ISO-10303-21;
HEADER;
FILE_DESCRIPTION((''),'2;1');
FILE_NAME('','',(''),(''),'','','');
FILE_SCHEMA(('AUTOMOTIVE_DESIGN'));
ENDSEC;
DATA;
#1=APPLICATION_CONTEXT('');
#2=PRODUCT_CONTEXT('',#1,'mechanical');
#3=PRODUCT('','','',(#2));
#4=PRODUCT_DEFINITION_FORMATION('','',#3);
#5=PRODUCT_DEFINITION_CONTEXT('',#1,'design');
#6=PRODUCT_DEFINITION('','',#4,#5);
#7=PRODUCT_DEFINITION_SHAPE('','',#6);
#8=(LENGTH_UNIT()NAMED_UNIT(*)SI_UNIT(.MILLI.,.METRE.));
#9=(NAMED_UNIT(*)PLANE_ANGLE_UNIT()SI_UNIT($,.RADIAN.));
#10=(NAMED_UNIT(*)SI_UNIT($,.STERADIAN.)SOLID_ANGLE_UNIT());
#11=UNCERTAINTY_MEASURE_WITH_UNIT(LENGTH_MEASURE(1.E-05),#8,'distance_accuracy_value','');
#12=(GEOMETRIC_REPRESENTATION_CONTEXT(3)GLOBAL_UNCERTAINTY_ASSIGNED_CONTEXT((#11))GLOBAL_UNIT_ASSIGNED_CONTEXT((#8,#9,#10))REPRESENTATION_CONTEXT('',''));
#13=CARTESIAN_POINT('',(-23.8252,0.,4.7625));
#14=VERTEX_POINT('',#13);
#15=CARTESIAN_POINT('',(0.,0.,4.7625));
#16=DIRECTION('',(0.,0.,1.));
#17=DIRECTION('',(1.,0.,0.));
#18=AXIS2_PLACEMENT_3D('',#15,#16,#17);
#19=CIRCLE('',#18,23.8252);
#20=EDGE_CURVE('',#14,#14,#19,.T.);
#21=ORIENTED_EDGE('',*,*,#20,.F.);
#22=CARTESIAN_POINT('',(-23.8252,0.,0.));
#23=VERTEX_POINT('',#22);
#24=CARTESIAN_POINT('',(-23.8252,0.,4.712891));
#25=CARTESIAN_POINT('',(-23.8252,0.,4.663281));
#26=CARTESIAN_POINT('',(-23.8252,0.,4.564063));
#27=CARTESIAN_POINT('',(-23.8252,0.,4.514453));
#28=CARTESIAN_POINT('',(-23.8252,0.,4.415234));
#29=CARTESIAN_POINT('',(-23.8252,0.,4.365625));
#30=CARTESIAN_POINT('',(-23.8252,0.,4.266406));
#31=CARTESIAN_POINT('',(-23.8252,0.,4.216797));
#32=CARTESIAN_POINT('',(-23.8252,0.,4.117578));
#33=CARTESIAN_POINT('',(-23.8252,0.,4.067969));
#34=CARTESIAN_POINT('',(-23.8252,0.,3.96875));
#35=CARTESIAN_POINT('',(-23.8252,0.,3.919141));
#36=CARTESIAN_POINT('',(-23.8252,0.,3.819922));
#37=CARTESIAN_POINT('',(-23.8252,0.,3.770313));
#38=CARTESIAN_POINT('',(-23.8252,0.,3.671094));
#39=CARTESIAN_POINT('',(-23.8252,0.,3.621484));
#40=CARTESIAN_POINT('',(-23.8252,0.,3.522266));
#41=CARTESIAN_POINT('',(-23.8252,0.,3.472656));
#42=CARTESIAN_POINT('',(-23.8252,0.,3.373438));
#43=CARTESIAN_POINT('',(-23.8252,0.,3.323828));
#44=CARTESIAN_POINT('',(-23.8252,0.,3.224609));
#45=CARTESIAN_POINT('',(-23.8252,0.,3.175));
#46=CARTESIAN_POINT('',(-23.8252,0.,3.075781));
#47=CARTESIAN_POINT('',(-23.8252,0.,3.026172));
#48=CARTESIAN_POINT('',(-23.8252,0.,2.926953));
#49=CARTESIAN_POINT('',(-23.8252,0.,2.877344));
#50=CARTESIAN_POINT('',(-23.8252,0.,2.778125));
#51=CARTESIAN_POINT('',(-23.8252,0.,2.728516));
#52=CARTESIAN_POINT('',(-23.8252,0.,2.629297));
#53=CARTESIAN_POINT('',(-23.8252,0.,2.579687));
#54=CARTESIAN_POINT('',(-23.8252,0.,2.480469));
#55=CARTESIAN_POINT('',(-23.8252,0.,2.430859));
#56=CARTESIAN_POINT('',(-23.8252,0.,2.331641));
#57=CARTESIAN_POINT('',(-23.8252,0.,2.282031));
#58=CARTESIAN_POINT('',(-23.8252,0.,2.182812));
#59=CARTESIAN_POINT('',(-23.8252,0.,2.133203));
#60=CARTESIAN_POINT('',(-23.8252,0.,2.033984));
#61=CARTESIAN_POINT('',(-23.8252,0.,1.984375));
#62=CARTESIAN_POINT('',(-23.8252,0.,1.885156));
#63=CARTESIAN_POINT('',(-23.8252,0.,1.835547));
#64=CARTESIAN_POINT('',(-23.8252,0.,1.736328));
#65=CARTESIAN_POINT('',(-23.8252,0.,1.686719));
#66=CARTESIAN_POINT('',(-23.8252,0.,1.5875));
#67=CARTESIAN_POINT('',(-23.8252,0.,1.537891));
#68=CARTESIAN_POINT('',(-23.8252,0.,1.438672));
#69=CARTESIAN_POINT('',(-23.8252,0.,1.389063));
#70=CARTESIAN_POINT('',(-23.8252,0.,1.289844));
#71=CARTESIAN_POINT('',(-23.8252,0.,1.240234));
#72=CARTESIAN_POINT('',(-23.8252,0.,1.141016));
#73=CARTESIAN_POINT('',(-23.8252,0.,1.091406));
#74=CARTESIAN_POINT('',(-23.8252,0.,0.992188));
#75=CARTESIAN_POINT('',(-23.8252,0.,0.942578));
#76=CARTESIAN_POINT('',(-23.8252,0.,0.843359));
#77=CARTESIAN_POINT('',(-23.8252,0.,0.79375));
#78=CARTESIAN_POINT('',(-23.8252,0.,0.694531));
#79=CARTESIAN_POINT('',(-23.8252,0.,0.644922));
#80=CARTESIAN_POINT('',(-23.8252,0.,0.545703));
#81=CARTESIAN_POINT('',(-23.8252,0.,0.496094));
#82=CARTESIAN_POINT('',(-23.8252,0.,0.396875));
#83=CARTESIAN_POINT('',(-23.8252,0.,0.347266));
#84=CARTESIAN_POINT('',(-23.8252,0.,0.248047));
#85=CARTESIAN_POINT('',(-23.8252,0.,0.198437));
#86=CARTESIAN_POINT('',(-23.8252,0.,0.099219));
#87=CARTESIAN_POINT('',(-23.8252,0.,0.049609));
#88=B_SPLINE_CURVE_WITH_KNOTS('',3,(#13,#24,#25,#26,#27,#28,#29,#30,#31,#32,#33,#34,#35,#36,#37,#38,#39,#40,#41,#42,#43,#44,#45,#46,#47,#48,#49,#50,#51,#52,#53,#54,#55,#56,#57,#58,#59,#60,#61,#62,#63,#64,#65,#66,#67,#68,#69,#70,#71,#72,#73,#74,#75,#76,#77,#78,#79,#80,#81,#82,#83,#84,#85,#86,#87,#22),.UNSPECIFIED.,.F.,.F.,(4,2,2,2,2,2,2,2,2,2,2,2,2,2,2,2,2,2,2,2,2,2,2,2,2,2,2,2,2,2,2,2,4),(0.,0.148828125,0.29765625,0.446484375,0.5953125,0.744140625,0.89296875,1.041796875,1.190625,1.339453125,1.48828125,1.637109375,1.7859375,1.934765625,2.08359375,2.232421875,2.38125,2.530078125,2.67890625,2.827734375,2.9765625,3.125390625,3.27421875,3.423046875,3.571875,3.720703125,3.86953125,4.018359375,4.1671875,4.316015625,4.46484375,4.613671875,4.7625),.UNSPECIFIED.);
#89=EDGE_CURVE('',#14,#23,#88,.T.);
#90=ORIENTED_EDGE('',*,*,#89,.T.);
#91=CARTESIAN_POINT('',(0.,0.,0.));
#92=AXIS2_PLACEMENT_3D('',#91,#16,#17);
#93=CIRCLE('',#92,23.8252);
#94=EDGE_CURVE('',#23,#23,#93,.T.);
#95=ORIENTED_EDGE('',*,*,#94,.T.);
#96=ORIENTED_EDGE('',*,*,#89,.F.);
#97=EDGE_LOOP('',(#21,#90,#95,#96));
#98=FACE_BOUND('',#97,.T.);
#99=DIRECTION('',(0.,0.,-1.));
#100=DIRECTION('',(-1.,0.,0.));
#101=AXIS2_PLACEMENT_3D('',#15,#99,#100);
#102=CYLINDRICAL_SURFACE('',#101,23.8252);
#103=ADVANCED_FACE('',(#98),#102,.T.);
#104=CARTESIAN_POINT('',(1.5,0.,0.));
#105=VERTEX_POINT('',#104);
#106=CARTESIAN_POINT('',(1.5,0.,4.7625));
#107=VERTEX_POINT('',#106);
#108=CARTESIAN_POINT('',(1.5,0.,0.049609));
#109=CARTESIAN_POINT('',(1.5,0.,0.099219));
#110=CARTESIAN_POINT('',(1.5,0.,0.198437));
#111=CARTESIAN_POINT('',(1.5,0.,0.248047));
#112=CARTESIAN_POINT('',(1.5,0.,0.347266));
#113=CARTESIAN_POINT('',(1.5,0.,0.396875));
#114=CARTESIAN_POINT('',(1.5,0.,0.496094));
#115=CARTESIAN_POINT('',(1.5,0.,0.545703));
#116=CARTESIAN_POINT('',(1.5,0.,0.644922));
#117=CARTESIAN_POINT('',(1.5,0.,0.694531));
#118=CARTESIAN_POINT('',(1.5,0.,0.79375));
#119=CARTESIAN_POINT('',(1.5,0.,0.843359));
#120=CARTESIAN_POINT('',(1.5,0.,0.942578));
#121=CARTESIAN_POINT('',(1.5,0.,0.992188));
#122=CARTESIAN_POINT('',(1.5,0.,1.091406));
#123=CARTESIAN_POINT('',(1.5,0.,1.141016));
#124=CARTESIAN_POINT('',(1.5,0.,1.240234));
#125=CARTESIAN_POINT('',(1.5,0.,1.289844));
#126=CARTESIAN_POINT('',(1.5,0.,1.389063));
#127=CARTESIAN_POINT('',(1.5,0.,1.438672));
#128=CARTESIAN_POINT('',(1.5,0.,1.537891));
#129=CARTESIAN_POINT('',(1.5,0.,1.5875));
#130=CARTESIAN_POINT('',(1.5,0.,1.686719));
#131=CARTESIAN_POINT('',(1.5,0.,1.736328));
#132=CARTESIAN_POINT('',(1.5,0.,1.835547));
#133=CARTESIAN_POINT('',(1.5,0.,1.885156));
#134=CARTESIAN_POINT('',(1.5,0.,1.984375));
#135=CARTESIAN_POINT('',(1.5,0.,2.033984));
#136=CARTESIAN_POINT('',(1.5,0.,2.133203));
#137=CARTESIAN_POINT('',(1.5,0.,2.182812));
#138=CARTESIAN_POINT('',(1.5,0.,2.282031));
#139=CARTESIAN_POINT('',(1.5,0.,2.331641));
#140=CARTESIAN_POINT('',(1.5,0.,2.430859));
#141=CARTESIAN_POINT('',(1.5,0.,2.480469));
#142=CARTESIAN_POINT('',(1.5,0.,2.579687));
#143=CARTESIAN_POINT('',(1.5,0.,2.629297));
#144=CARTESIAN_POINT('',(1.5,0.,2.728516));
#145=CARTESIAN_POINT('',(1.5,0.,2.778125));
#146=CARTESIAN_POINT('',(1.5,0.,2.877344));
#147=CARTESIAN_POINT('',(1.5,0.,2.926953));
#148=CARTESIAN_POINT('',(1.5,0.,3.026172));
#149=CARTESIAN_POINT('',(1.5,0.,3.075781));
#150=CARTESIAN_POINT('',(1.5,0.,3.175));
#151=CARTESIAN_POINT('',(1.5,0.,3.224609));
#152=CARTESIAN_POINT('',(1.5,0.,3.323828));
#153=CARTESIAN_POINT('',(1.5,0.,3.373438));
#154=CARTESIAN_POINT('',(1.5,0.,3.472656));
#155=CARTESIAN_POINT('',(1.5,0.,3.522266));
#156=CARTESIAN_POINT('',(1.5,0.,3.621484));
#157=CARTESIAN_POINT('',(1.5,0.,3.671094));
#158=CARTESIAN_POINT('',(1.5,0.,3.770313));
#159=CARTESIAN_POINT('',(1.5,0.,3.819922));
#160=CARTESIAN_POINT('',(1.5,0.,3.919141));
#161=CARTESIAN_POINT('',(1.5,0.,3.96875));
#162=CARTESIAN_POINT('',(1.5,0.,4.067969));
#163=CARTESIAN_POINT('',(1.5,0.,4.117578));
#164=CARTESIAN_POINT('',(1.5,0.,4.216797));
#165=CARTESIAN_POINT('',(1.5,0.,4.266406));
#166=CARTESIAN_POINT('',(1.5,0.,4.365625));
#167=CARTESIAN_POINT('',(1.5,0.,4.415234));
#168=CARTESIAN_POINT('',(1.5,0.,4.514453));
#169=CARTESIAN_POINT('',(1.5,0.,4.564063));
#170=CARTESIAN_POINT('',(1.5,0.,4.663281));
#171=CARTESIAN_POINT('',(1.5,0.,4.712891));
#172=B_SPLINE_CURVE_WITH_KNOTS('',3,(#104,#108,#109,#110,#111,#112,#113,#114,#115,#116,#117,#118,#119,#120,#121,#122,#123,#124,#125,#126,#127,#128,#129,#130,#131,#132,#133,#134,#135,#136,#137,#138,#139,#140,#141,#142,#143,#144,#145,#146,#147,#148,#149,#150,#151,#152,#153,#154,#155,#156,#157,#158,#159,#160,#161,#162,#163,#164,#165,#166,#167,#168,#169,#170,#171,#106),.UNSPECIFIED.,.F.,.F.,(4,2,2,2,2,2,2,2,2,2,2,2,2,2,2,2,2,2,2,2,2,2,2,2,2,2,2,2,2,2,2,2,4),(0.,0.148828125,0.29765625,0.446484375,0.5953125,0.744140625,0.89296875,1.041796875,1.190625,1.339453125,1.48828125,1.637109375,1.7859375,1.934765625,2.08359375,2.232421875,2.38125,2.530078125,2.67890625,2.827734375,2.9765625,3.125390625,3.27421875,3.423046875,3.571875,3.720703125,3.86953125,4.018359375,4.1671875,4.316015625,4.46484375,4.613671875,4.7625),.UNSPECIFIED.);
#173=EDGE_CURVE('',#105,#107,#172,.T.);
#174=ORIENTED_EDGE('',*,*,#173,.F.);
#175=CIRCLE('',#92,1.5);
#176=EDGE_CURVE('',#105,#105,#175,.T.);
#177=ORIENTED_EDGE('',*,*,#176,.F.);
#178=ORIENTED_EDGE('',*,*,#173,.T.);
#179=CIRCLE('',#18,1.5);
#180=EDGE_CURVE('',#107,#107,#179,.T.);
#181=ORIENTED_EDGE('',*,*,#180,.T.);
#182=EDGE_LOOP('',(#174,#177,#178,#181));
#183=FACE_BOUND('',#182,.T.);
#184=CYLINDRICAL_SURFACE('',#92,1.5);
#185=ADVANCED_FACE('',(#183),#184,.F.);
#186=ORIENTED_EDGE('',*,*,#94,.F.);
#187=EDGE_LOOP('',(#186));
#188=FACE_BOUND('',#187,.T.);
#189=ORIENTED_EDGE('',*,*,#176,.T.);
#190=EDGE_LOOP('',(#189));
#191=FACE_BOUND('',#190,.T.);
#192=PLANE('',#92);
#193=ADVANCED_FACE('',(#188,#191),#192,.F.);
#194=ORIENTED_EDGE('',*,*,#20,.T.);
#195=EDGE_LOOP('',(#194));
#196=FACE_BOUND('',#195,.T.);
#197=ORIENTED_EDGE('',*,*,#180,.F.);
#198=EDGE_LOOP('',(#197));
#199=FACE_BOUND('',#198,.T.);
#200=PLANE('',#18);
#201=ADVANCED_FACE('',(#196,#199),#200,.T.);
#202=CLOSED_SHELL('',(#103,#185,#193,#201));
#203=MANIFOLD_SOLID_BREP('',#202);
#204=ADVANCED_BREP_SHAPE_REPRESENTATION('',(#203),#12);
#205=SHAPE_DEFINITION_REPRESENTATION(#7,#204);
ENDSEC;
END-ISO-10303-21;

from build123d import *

# Parameters (mm, degrees)
SKETCH1_R           = 23.8252
BOSS_EXTRUDE1_DEPTH = 4.7625
SKETCH2_R           = 1.5
CUT_EXTRUDE1_DEPTH  = 35.028836541


with BuildPart() as part:
    # Sketch1 → Boss-Extrude1 (new body)
    with BuildSketch(Plane.XY):
        with Locations(Location((0, 0, 0), (0, 0, 180))):
            Circle(SKETCH1_R)
    extrude(amount=BOSS_EXTRUDE1_DEPTH)

    # Sketch2 → Cut-Extrude1 (cut, through all)
    with BuildSketch(Plane.XY.offset(4.7625)):
        Circle(SKETCH2_R)
    extrude(amount=-CUT_EXTRUDE1_DEPTH, mode=Mode.SUBTRACT)


solid = part.part
